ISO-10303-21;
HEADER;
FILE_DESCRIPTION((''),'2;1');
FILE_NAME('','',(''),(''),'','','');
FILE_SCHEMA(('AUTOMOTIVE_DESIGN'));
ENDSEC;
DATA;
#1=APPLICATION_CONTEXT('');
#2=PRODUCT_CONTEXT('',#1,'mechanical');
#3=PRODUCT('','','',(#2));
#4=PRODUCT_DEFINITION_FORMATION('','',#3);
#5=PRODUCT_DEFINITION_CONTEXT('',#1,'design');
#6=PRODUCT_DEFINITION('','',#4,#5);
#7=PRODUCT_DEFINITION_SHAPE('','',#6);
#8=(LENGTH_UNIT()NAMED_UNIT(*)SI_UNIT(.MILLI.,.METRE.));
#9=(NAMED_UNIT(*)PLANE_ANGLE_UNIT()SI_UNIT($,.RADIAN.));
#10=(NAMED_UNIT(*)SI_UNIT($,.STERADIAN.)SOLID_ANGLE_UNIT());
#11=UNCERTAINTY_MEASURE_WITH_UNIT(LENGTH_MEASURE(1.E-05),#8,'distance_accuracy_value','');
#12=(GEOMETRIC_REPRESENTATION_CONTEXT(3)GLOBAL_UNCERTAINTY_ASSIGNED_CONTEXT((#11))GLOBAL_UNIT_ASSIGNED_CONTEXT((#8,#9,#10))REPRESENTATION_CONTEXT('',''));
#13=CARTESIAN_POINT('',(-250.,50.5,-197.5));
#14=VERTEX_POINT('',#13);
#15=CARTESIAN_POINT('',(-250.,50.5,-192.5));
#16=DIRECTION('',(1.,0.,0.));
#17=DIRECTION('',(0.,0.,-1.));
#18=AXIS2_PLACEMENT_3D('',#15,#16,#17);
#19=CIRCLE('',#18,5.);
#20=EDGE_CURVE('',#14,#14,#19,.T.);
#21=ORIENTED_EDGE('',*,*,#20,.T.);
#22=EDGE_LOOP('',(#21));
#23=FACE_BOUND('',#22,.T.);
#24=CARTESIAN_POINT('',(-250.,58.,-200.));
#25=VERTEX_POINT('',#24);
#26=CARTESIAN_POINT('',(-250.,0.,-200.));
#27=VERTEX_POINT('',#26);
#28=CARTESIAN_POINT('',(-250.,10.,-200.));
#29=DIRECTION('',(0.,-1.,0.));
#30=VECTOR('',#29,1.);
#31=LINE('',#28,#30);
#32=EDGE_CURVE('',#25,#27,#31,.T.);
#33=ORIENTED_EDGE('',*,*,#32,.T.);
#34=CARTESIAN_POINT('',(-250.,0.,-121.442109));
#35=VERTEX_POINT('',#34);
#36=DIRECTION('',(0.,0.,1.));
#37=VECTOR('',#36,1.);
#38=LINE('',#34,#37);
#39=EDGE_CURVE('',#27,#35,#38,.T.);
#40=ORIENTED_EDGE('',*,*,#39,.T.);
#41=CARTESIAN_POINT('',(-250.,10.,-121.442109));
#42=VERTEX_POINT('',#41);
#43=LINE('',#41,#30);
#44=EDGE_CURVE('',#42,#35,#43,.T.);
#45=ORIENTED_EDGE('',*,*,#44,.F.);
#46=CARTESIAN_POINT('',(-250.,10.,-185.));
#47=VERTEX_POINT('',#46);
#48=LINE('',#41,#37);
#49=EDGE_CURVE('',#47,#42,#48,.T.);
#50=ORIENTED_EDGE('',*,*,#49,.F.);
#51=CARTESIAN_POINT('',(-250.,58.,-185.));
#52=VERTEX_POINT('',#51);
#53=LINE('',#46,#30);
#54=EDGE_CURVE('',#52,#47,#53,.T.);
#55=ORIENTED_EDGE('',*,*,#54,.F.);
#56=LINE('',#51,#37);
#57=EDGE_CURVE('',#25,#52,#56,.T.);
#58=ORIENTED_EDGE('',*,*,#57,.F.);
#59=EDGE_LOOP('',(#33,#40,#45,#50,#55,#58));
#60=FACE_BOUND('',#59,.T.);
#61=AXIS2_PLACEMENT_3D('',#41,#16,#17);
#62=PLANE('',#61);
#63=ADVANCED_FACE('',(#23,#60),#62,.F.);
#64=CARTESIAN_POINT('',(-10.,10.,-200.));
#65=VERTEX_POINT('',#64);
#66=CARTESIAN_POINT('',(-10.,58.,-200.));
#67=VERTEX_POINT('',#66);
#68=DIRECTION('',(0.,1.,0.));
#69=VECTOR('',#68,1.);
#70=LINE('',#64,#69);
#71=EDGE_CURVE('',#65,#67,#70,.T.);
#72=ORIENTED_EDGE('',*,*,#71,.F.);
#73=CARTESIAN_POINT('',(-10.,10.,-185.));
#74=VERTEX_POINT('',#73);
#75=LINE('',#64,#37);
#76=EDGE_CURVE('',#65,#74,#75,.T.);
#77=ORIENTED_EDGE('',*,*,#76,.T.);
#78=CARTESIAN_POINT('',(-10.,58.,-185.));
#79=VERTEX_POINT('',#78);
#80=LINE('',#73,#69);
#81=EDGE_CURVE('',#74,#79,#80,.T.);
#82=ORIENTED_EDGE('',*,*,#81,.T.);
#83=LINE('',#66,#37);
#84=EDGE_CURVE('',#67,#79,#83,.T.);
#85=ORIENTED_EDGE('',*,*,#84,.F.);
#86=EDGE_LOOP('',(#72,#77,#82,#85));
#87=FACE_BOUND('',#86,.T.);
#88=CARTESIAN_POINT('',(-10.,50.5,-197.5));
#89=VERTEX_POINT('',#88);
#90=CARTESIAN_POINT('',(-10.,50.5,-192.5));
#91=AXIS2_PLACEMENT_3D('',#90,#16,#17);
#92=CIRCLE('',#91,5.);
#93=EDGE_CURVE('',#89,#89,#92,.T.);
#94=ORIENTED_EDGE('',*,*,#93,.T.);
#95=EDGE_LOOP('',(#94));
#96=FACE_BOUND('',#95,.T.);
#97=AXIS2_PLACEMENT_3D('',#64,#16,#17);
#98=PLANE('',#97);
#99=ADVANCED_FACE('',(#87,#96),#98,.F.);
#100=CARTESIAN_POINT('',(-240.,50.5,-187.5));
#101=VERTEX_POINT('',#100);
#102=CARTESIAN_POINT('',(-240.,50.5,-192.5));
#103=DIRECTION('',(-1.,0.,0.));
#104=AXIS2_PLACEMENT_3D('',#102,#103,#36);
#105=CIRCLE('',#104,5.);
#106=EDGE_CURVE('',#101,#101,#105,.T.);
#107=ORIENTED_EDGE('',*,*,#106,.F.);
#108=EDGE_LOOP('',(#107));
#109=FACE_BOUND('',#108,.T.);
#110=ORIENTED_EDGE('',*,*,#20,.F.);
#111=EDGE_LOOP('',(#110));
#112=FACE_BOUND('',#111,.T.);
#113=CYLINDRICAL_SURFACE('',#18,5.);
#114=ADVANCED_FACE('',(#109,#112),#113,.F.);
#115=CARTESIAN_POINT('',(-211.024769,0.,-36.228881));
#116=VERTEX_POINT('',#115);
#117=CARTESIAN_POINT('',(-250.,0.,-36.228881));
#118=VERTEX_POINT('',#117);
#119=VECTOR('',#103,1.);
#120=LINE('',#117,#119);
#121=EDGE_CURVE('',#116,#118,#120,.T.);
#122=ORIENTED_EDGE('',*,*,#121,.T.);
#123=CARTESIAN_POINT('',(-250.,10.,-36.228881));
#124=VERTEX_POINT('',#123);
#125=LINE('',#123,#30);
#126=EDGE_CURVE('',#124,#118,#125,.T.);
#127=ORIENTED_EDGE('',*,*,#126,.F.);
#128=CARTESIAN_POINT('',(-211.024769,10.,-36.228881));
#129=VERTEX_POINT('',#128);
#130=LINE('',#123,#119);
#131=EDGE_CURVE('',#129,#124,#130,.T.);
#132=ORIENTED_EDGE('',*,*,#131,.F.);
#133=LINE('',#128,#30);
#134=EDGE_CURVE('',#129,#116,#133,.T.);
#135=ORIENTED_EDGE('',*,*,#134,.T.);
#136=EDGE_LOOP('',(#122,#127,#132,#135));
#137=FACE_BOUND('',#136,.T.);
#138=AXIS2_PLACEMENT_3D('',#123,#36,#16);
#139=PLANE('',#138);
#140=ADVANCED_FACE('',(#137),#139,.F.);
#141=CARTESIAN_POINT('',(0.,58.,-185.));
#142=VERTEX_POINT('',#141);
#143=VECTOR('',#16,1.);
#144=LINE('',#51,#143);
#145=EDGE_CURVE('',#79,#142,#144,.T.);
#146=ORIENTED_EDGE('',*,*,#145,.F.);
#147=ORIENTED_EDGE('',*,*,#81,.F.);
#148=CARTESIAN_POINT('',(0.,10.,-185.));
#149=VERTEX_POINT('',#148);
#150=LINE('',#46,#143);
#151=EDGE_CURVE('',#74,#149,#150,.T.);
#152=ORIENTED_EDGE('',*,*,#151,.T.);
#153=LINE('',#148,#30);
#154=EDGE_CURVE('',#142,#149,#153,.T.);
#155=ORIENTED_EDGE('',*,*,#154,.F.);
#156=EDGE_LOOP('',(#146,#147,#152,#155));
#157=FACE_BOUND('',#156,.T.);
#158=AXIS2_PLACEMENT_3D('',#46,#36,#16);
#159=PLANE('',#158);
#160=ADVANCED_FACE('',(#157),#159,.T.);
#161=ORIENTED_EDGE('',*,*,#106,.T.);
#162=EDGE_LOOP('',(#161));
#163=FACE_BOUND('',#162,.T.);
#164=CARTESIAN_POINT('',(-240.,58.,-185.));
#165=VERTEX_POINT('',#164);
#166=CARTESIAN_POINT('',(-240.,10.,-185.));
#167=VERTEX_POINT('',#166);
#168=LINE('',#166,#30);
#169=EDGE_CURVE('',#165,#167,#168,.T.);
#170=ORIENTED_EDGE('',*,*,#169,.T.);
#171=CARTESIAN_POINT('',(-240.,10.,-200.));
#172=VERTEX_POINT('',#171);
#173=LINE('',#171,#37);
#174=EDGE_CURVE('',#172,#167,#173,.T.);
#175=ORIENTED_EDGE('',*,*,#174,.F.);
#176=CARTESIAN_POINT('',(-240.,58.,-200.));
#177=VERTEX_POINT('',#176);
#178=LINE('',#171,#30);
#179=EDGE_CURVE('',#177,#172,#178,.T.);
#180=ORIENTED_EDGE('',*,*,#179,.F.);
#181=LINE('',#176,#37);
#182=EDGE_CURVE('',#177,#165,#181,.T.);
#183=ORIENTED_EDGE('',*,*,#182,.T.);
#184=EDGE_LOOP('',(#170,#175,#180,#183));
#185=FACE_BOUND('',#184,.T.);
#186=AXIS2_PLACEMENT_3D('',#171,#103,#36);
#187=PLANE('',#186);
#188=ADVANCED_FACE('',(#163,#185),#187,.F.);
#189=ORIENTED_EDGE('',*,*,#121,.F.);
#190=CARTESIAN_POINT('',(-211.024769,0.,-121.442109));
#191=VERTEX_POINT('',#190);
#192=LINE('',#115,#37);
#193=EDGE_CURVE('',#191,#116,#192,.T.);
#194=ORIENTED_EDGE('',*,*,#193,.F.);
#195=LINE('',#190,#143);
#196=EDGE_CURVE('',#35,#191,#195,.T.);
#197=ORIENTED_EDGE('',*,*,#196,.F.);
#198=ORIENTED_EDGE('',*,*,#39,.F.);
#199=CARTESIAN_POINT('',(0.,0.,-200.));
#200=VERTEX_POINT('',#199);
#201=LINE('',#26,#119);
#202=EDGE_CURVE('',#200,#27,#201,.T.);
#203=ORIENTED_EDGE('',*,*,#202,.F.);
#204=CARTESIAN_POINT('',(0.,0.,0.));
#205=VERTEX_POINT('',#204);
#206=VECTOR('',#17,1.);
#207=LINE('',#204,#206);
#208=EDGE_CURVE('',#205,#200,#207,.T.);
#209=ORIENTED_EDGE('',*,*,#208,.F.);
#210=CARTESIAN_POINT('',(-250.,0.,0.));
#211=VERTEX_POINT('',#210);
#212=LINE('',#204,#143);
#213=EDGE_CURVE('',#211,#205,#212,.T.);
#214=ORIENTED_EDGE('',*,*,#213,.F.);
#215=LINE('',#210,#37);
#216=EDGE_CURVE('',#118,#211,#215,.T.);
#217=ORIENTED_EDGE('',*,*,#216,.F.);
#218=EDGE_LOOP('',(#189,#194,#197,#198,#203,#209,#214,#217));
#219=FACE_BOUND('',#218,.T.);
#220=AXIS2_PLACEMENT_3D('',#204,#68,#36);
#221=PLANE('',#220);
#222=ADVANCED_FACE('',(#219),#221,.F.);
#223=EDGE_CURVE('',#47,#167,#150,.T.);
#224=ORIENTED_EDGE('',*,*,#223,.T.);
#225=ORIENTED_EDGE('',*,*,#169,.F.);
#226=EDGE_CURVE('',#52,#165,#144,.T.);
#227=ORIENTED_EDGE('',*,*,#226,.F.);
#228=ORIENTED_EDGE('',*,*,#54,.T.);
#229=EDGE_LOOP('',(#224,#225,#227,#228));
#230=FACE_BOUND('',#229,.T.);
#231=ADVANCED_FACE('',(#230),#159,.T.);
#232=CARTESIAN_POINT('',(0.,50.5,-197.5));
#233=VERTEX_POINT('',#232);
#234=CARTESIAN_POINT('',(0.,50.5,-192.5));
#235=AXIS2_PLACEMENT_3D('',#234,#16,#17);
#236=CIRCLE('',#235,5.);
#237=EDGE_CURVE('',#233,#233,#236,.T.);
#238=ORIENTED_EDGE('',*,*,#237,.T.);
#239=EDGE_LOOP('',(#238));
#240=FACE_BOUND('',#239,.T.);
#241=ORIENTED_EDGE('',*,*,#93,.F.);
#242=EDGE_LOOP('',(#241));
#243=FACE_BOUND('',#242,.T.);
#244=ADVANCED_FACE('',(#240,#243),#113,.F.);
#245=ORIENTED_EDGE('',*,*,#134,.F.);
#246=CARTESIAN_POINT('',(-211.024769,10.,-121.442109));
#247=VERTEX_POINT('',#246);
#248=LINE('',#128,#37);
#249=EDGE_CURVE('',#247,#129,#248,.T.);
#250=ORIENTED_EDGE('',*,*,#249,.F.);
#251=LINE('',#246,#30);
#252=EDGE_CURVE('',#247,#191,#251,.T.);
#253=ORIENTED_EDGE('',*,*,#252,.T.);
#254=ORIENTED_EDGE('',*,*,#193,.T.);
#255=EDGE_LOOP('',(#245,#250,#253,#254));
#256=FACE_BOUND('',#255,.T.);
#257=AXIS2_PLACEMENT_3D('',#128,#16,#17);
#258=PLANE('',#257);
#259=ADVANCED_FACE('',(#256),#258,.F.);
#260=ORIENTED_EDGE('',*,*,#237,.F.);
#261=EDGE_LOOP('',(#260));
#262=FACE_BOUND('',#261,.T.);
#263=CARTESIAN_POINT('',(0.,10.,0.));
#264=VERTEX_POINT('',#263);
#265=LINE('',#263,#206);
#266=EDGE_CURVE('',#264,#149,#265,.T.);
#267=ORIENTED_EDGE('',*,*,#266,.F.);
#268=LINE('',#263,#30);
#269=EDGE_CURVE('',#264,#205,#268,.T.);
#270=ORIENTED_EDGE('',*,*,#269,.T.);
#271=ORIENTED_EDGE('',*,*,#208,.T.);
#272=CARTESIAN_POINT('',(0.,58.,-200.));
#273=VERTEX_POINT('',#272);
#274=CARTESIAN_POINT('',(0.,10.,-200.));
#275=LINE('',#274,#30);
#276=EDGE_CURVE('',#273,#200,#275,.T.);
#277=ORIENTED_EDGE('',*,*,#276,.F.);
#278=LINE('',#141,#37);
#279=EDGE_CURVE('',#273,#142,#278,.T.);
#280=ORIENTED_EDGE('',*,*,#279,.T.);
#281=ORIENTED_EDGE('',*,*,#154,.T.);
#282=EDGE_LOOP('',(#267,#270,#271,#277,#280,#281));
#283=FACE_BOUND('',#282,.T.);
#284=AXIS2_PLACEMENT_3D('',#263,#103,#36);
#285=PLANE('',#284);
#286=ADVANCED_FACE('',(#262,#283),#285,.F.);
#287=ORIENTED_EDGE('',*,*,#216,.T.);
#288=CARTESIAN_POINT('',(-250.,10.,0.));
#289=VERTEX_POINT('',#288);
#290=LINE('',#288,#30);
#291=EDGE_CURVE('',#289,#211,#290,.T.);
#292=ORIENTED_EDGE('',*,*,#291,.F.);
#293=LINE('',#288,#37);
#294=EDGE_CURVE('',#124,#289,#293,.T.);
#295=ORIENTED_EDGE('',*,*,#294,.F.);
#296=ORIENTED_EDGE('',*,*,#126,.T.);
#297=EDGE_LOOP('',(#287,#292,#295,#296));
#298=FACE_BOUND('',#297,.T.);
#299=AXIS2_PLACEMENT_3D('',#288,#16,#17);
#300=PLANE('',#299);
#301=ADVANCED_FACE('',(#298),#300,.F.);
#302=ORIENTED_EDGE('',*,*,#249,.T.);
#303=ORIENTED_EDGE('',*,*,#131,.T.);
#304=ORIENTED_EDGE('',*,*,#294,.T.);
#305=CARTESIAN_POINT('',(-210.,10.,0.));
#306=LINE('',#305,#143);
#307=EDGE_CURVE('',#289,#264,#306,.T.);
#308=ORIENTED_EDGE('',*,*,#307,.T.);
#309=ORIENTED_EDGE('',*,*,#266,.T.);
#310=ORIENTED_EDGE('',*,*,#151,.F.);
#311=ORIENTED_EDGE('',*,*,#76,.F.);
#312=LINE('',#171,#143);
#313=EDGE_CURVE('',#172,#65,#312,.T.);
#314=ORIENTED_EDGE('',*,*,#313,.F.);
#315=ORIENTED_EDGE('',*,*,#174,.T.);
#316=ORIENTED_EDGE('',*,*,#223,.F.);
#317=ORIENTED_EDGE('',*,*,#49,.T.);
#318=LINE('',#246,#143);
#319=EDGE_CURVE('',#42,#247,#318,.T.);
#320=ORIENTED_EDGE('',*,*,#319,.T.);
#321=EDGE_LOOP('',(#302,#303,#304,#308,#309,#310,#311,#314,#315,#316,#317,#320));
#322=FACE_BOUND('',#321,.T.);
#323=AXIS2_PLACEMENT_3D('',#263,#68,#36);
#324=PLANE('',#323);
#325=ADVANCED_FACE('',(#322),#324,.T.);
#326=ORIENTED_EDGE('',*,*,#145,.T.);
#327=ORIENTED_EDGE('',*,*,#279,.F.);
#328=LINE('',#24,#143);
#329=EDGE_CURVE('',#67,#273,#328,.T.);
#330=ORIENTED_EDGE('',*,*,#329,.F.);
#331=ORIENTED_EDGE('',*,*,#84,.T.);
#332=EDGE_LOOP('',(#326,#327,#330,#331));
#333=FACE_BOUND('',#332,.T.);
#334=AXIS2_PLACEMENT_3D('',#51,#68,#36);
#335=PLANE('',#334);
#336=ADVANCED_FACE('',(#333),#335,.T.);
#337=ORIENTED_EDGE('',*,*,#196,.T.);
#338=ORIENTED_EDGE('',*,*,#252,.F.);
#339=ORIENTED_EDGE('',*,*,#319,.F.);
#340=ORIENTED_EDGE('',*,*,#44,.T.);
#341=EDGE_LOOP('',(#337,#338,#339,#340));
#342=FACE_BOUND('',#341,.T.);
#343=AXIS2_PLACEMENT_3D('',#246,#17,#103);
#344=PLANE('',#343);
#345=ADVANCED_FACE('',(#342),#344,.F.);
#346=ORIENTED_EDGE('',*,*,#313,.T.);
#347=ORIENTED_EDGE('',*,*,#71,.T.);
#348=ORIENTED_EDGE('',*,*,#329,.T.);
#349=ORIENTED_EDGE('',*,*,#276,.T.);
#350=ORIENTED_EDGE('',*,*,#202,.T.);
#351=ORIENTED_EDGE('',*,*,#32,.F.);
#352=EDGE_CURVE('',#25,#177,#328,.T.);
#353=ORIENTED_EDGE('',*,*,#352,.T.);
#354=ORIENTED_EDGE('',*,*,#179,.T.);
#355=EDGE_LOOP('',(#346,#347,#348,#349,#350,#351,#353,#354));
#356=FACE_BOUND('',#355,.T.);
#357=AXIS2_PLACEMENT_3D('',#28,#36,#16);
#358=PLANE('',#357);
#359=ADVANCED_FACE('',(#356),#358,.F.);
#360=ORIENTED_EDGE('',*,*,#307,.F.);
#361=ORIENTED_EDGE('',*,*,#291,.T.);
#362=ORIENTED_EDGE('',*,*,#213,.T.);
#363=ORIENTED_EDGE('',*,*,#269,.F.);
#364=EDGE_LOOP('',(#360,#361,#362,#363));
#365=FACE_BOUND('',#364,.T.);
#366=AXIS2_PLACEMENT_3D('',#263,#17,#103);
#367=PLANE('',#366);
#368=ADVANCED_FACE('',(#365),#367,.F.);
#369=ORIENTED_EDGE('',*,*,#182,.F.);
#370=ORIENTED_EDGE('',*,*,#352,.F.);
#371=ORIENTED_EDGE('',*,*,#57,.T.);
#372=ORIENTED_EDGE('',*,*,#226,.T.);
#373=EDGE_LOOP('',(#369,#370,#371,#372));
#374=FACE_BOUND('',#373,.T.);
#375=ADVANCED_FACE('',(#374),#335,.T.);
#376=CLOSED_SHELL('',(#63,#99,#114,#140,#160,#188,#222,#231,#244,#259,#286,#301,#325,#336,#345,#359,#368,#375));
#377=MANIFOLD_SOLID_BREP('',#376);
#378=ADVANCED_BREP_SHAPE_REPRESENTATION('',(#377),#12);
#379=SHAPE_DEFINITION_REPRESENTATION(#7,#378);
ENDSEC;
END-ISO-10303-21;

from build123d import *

# Parameters (mm, degrees)
BOSS_EXTRU_1_DEPTH      = 10
ESQUISSE2_W             = 15
ESQUISSE2_H             = 48
BOSS_EXTRU_2_DEPTH      = 250
ESQUISSE5_W             = 230
ESQUISSE5_H             = 48
ENL_V_MAT_EXTRU_1_DEPTH = 15
ESQUISSE6_R             = 5
ENL_V_MAT_EXTRU_2_DEPTH = 250


with BuildPart() as part:
    # Esquisse1 → Boss.-Extru.1 (new body)
    with BuildSketch(Plane(origin=(0, 0, 0), x_dir=(1, 0, 0), z_dir=(0, 1, 0))):
        Polygon((-210, 0), (-250, 0), (-250, 36.228880697), (-211.024769455, 36.228880697), (-211.024769455, 121.442108629), (-250, 121.442108629), (-250, 200), (-211.024769455, 200), (0, 200), (0, 0), align=None)
    extrude(amount=BOSS_EXTRU_1_DEPTH)

    # Esquisse2 → Boss.-Extru.2 (add)
    with BuildSketch(Plane(origin=(0, 0, 0), x_dir=(0, 0, -1), z_dir=(1, 0, 0))):
        with Locations((192.5, 34)):
            Rectangle(ESQUISSE2_W, ESQUISSE2_H)
    extrude(amount=-BOSS_EXTRU_2_DEPTH)

    # Esquisse5 → Enlèv. mat.-Extru.1 (cut)
    with BuildSketch(Plane.XY.offset(-185)):
        with Locations((-125, 34)):
            Rectangle(ESQUISSE5_W, ESQUISSE5_H)
    extrude(amount=-ENL_V_MAT_EXTRU_1_DEPTH, mode=Mode.SUBTRACT)

    # Esquisse6 → Enlèv. mat.-Extru.2 (cut)
    with BuildSketch(Plane(origin=(0, 0, 0), x_dir=(0, 0, -1), z_dir=(1, 0, 0))):
        with Locations((192.5, 50.5)):
            Circle(ESQUISSE6_R)
    extrude(amount=-ENL_V_MAT_EXTRU_2_DEPTH, mode=Mode.SUBTRACT)


solid = part.part
